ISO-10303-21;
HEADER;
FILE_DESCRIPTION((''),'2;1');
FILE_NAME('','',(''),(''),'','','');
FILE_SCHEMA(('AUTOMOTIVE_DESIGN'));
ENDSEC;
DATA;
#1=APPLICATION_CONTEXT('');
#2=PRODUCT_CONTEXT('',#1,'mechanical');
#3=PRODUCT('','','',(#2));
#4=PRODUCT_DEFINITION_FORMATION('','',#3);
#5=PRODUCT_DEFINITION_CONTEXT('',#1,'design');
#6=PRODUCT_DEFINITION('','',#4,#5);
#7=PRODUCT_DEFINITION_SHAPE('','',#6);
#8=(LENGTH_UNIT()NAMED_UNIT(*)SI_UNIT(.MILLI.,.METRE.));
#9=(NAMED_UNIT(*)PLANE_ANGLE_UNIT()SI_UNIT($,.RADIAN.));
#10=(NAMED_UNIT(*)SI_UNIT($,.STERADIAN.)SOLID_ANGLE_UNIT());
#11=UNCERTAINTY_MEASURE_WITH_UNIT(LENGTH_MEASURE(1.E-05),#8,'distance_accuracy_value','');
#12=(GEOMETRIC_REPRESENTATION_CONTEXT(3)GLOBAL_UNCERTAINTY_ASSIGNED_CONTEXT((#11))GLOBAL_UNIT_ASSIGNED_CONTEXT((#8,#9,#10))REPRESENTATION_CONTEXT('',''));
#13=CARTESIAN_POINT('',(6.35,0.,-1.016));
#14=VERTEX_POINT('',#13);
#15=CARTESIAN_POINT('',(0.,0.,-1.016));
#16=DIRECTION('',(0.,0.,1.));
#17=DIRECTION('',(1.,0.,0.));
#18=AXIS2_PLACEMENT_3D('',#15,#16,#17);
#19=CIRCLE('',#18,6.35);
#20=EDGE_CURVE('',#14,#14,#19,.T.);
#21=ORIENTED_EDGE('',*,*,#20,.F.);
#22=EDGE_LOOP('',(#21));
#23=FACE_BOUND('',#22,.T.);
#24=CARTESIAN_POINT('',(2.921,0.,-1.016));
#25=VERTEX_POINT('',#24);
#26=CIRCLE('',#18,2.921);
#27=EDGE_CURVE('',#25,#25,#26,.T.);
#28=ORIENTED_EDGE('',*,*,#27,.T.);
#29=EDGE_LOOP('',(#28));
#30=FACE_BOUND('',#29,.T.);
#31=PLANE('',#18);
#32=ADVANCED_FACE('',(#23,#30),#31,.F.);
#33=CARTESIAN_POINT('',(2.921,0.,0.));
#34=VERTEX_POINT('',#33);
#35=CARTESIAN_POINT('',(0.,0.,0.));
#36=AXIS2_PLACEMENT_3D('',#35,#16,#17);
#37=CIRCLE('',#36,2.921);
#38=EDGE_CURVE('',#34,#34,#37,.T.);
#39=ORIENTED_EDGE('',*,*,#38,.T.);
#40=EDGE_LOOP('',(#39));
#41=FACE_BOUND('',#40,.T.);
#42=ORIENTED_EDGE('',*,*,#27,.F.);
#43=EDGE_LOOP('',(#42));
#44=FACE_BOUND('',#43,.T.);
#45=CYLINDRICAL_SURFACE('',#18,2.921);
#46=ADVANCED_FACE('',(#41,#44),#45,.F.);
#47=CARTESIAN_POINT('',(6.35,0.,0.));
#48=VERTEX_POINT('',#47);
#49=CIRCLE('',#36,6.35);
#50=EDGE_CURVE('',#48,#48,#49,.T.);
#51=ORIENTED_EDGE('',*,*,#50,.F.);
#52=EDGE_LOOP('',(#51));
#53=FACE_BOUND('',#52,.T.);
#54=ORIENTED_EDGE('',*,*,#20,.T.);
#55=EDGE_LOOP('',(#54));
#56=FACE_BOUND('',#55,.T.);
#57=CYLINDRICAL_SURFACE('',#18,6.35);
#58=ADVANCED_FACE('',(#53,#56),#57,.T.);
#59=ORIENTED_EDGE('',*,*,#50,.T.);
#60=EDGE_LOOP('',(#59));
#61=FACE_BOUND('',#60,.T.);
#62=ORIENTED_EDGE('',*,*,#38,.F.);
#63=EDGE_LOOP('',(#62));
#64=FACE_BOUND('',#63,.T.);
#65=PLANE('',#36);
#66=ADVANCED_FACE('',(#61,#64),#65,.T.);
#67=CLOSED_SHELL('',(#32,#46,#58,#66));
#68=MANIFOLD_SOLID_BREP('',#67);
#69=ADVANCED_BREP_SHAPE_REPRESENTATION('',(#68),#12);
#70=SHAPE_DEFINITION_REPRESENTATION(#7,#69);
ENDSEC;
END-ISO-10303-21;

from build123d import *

# Parameters (mm, degrees)
SKETCH1_R      = 6.35
SKETCH1_R_2    = 2.921
EXTRUDE1_DEPTH = 1.016


with BuildPart() as part:
    # Sketch1 → Extrude1 (new body)
    with BuildSketch(Plane.XY):
        Circle(SKETCH1_R)
        Circle(SKETCH1_R_2, mode=Mode.SUBTRACT)
    extrude(amount=-EXTRUDE1_DEPTH)


solid = part.part
